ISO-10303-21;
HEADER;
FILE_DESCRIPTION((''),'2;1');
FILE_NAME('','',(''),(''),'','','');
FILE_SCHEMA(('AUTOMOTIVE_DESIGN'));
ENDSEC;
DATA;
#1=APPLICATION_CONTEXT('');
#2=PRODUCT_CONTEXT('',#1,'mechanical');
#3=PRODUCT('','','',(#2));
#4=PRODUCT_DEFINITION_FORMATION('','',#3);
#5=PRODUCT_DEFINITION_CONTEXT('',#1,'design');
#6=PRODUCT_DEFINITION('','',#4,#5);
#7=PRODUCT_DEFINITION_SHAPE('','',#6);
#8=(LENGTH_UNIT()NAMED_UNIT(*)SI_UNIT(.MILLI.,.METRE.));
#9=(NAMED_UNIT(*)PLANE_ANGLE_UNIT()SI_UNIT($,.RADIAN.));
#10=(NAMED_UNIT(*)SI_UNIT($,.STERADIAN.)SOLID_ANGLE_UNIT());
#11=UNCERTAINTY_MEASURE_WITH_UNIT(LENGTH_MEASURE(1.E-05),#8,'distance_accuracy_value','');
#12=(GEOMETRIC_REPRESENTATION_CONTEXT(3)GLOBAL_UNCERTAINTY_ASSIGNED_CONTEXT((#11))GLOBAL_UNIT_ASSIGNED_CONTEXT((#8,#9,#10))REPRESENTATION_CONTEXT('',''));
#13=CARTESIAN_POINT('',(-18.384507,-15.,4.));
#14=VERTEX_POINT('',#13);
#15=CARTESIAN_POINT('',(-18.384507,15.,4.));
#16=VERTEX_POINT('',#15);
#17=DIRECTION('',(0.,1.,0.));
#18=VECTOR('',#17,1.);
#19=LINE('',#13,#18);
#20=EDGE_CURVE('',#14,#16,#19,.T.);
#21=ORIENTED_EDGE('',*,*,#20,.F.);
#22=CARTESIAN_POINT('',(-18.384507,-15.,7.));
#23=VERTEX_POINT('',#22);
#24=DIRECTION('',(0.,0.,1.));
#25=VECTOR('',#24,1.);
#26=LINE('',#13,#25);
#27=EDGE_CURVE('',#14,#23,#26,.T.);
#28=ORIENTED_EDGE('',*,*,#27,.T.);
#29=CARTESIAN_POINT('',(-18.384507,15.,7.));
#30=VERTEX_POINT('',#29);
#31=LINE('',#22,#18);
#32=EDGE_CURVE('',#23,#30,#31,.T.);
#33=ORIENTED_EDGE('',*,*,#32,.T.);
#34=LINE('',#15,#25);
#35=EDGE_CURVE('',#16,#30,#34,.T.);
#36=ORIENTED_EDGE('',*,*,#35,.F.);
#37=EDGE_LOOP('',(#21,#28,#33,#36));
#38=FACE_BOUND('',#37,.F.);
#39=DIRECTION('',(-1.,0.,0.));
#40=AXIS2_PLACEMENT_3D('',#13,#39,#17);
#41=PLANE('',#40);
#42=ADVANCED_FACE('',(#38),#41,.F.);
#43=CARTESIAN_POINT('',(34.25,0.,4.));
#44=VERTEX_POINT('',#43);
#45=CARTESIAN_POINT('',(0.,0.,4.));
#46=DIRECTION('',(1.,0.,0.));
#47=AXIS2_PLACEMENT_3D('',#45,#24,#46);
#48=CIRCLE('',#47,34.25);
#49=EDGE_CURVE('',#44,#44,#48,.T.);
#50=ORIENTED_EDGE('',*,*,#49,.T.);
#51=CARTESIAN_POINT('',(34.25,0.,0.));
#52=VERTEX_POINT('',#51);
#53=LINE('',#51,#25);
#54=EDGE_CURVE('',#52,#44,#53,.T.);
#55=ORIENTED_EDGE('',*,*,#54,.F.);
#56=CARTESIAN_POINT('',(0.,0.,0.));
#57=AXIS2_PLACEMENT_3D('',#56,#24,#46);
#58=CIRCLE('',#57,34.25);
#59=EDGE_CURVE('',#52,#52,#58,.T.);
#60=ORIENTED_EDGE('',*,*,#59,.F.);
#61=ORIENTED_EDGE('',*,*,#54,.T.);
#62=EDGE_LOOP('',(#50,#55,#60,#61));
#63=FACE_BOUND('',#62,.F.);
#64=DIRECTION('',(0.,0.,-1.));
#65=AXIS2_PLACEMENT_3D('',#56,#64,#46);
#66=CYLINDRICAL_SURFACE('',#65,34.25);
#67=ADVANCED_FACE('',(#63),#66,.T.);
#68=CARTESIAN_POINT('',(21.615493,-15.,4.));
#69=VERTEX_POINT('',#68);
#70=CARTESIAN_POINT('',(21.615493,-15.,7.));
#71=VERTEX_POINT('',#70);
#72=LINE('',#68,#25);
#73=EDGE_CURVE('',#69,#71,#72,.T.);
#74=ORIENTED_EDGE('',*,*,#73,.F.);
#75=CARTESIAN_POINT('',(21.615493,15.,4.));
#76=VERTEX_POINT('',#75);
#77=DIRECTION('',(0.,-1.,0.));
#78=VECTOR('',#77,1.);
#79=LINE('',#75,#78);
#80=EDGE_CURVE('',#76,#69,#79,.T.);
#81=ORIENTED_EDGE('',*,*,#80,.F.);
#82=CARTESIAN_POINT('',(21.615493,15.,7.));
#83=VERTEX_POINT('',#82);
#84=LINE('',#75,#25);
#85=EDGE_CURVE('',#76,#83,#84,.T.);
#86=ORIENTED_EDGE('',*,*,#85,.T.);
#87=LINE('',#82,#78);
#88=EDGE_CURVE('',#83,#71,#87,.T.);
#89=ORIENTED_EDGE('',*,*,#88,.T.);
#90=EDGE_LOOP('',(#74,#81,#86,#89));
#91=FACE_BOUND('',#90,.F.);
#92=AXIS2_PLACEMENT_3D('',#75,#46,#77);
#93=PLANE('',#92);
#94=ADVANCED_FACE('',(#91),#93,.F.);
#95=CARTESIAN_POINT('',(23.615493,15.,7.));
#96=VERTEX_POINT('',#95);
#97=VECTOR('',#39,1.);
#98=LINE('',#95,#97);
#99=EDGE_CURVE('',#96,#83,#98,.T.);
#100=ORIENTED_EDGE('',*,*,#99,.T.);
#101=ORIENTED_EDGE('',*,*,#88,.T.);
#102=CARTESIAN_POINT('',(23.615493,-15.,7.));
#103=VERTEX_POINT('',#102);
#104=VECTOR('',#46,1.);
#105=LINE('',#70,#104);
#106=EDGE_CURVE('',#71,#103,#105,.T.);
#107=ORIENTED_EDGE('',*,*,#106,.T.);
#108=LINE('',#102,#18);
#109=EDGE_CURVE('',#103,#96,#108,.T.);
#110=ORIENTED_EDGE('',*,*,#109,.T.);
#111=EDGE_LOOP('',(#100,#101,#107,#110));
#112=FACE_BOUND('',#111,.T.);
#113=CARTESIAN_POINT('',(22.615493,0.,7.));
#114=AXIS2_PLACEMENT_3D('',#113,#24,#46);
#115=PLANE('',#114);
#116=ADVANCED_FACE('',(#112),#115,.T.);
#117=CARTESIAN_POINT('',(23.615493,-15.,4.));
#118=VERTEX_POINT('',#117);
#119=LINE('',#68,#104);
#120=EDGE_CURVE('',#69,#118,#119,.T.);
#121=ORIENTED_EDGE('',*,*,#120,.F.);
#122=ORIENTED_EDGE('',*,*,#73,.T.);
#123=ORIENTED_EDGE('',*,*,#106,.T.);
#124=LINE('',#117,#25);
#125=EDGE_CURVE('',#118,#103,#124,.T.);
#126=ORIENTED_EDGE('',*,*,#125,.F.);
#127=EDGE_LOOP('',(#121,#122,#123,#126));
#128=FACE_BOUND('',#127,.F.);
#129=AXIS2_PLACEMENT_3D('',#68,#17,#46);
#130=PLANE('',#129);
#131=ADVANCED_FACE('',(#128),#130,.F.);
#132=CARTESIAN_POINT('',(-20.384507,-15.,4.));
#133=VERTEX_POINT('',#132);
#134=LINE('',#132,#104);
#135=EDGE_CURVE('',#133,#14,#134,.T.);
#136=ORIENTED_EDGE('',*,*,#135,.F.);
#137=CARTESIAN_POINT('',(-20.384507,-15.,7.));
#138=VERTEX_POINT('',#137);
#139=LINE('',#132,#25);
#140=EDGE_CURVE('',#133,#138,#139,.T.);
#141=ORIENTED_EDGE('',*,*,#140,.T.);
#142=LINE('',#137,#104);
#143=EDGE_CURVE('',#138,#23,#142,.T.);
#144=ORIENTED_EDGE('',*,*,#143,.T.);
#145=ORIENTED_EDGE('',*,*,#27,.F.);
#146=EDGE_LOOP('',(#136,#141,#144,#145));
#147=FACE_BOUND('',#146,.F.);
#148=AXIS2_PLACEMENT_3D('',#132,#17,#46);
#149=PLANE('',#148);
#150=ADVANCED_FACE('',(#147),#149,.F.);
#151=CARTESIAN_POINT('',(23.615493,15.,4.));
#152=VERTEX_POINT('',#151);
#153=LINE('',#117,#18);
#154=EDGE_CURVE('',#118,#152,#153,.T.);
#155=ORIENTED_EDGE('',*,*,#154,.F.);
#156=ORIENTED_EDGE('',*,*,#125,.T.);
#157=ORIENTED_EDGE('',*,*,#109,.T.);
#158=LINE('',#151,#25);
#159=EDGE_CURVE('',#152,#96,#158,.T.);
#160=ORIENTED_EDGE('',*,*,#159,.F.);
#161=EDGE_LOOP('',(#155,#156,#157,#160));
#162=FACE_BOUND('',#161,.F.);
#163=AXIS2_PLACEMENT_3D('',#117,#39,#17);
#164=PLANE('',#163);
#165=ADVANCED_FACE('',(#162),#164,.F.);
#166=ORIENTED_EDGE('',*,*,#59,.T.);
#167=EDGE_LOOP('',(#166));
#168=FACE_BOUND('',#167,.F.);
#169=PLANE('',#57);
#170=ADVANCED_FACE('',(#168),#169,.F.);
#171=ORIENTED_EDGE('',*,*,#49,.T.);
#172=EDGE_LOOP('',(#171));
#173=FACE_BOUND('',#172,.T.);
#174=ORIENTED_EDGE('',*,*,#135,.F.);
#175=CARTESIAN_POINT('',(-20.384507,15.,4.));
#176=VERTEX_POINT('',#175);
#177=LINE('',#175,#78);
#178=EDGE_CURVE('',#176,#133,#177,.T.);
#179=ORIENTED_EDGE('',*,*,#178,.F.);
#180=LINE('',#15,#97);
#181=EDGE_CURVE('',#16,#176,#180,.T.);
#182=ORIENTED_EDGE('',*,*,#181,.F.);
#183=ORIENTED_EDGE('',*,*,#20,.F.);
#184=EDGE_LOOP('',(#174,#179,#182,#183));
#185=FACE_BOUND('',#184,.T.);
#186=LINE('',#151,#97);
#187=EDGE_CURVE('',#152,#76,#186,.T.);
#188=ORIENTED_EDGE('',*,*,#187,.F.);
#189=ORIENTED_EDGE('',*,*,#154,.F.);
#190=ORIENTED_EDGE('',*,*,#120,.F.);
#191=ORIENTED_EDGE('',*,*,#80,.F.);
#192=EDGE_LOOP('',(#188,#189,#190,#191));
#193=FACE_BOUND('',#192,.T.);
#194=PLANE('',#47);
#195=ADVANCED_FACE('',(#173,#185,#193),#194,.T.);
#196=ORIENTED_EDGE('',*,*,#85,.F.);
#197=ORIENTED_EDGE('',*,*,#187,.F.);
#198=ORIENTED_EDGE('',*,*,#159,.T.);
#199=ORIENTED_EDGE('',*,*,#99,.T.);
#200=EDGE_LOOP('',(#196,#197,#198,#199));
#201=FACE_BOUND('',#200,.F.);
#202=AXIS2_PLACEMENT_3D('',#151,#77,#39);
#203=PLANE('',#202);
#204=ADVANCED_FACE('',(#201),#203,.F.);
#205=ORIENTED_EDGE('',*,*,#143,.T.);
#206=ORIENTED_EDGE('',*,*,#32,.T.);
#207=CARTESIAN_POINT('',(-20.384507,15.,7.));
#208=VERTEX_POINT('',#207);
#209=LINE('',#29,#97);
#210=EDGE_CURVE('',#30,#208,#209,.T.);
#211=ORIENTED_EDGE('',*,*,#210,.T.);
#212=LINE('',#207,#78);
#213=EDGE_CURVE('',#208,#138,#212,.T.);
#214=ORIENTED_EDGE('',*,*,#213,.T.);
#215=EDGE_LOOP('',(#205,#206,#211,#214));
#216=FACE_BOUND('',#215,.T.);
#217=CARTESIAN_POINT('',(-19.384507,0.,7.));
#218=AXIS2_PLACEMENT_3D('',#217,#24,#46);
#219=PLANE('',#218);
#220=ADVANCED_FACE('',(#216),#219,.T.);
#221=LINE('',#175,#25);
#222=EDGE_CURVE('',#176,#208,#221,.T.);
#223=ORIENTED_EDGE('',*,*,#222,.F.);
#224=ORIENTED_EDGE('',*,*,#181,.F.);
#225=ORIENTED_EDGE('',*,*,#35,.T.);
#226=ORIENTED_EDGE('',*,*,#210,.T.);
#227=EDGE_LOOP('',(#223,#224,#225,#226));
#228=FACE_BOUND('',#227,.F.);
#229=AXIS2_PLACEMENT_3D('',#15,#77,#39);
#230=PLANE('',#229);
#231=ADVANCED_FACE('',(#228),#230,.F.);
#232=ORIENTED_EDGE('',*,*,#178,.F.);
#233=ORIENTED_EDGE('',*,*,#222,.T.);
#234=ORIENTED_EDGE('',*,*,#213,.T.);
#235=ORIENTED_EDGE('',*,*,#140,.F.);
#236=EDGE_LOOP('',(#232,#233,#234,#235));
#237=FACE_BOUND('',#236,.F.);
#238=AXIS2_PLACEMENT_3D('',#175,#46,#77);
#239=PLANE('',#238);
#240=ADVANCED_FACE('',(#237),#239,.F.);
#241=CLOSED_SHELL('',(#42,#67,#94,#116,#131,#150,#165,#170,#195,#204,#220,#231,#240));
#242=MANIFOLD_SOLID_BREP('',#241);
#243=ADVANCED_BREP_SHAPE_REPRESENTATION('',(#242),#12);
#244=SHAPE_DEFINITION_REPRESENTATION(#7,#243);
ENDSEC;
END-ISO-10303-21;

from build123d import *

# Parameters (mm, degrees)
F0_R     = 34.25
F1_DEPTH = 4
F3_DEPTH = 3


with BuildPart() as f1:
    # F0 (on Top) → F1 (new body)
    with BuildSketch(Plane.XY):
        Circle(F0_R)
    extrude(amount=F1_DEPTH)

    # F2 (on face) → F3 (join)
    with BuildSketch(Plane.XY.offset(4)):
        Polygon((21.615493, 15), (21.615493, 0), (21.615493, -15), (23.615493, -15), (23.615493, 15), align=None)
        Polygon((-18.384507, -15), (-18.384507, 0), (-18.384507, 15), (-20.384507, 15), (-20.384507, -15), align=None)
    extrude(amount=F3_DEPTH)


solid = f1.part
